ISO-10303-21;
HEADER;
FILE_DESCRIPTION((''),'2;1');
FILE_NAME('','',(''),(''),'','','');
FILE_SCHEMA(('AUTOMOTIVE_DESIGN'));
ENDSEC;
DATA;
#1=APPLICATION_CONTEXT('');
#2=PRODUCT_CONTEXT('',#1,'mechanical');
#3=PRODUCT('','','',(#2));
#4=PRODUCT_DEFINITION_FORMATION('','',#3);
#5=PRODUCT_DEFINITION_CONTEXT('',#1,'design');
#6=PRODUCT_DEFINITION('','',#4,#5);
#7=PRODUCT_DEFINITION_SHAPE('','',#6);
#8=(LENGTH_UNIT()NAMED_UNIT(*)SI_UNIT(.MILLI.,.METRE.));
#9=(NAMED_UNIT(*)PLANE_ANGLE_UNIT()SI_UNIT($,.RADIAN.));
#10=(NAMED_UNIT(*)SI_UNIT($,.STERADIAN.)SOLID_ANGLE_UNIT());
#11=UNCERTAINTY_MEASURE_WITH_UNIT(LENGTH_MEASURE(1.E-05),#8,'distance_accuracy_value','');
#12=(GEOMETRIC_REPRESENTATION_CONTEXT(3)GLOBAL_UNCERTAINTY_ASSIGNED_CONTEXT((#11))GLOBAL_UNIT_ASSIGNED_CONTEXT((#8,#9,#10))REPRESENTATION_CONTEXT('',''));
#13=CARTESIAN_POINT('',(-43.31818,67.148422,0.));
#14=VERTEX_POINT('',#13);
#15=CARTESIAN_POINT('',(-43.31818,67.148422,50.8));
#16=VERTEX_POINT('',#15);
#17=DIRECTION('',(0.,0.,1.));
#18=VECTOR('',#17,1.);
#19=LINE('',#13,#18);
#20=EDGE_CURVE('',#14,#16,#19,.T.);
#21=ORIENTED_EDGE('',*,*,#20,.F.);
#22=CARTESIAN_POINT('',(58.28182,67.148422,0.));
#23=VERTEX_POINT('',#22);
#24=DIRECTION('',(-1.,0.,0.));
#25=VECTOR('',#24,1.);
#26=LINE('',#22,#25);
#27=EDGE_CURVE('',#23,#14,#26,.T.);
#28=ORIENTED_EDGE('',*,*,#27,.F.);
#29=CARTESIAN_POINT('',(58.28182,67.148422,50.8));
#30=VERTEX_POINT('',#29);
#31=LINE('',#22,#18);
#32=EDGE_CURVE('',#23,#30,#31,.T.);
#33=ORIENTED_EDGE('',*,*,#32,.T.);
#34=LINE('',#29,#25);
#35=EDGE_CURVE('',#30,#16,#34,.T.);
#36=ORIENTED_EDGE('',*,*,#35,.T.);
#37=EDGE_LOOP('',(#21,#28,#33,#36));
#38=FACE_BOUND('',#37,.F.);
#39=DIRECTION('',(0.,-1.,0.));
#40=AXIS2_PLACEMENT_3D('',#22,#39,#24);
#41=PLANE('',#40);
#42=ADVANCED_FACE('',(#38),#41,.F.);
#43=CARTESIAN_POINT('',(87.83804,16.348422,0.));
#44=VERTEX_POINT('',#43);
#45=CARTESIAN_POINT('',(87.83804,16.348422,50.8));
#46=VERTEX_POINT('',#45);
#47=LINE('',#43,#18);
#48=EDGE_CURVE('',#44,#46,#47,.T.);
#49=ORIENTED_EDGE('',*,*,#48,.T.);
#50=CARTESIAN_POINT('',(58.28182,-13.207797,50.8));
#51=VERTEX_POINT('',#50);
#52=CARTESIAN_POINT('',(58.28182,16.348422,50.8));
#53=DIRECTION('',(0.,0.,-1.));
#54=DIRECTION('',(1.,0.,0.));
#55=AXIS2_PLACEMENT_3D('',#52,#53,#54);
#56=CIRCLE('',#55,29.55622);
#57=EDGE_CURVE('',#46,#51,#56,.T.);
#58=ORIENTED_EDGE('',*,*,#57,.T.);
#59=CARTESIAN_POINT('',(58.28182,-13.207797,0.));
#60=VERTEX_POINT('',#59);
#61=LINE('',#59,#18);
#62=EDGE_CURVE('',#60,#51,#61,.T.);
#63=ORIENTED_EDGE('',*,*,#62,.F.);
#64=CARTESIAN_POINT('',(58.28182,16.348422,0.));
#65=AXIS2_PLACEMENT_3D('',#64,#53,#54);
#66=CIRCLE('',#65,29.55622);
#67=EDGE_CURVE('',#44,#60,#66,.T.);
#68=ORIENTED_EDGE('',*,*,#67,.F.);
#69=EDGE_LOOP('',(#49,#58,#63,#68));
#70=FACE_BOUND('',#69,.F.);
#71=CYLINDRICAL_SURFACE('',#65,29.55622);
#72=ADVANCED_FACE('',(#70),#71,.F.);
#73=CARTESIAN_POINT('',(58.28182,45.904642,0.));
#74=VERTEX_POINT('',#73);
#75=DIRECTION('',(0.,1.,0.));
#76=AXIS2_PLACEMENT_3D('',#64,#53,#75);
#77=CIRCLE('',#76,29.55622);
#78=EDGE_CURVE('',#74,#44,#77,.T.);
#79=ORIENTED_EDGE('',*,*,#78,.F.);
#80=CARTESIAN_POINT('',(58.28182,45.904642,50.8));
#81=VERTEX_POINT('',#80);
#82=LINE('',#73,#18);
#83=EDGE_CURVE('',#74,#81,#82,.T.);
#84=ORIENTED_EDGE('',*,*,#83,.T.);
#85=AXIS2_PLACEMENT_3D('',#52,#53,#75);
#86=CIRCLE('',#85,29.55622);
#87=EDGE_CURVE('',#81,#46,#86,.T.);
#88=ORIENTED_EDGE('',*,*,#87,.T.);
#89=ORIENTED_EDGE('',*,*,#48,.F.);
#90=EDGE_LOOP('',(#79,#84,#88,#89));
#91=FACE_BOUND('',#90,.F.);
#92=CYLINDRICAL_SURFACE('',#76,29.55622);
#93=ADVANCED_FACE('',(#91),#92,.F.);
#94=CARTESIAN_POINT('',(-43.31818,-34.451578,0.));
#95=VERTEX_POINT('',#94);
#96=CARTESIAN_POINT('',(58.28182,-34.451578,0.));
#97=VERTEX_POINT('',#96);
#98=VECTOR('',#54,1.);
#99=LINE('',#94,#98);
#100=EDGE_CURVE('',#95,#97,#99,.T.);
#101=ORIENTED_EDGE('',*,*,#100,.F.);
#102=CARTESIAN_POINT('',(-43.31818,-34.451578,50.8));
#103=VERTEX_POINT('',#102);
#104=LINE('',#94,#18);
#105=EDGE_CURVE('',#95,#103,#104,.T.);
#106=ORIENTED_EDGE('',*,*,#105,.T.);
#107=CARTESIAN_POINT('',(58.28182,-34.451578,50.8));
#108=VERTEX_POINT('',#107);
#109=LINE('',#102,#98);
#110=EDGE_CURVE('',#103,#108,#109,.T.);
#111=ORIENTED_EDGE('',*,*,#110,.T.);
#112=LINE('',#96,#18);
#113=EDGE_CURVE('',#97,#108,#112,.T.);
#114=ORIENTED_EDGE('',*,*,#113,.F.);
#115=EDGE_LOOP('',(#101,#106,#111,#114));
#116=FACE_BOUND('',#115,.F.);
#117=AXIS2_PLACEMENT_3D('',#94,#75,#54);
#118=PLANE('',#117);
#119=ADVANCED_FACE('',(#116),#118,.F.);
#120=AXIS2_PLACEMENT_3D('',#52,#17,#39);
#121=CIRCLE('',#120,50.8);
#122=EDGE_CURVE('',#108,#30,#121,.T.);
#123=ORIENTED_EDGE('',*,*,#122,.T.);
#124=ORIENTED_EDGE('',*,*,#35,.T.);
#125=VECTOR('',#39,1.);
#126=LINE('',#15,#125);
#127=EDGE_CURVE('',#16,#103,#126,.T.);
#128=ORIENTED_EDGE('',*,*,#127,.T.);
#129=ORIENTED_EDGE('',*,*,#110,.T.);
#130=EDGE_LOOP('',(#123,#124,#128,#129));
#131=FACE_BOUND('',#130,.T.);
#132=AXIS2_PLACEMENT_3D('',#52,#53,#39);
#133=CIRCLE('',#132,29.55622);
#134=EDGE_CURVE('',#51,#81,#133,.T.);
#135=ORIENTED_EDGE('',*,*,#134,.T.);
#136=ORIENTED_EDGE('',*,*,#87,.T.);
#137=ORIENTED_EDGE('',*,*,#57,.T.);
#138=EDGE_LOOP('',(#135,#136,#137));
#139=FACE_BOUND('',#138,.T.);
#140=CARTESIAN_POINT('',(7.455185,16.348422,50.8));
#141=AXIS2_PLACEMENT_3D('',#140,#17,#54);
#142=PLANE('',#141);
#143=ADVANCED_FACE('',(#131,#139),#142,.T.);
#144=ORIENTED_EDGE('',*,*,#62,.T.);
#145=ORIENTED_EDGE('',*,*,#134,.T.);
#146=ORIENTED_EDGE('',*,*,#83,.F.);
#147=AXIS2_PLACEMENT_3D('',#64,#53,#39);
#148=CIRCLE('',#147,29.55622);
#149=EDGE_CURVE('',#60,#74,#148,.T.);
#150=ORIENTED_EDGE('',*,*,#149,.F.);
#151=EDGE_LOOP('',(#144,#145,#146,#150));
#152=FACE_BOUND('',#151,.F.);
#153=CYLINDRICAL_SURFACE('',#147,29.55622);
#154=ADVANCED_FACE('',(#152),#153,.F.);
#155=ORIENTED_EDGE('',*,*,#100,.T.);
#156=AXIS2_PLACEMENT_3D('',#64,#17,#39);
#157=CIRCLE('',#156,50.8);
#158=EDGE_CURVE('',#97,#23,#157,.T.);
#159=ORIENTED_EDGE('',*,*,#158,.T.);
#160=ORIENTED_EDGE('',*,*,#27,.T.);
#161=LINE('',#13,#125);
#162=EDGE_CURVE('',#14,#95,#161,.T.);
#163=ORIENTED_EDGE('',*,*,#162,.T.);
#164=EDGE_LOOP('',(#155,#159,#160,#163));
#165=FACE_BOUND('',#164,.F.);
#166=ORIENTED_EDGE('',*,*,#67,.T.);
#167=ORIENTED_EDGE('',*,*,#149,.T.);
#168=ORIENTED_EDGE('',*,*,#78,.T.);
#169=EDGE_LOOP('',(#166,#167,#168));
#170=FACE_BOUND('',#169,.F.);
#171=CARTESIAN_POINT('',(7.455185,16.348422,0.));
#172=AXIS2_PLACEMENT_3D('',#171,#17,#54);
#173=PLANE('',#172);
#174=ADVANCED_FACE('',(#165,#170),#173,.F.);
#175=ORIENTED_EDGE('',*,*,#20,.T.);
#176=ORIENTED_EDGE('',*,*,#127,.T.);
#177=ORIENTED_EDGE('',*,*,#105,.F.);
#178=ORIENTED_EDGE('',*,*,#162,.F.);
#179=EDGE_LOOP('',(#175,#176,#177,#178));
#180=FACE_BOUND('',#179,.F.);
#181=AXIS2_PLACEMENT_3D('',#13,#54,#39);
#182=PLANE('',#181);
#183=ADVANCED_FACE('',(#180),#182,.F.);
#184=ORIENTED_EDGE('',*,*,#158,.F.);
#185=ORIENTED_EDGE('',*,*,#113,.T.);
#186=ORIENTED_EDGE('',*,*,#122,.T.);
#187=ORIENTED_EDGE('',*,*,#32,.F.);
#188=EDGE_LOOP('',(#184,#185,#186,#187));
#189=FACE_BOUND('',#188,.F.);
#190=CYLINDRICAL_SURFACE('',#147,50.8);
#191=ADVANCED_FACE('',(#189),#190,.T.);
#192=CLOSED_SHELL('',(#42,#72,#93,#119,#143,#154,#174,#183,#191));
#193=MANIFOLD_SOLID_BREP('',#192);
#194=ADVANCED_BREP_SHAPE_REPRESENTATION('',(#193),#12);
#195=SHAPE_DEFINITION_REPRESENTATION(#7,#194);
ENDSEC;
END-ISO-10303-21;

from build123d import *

# Parameters (mm, degrees)
F1_DEPTH = 50.8


with BuildPart() as f1:
    # F0 (on Top) → F1 (new body)
    with BuildSketch(Plane.XY):
        with BuildLine():
            Line((58.2818202674, 67.1484221876), (-43.3181797326, 67.1484221876))
            Line((-43.3181797326, 67.1484221876), (-43.3181797326, -34.4515778124))
            Line((-43.3181797326, -34.4515778124), (58.2818202674, -34.4515778124))
            Line((58.2818202674, -34.4515778124), (58.2818202674, -13.207797377))
            ThreePointArc((58.2818202674, -13.207797377), (28.7256007029, 16.3484221876), (58.2818202674, 45.9046417521))
            Line((58.2818202674, 45.9046417521), (58.2818202674, 67.1484221876))
        make_face()
        with BuildLine():
            ThreePointArc((58.2818202674, -34.4515778124), (109.0818202674, 16.3484221876), (58.2818202674, 67.1484221876))
            Line((58.2818202674, 67.1484221876), (58.2818202674, 45.9046417521))
            ThreePointArc((58.2818202674, 45.9046417521), (79.1812235478, 37.2478254679), (87.838039832, 16.3484221876))
            ThreePointArc((87.838039832, 16.3484221876), (79.1812235478, -4.5509810928), (58.2818202674, -13.207797377))
            Line((58.2818202674, -13.207797377), (58.2818202674, -34.4515778124))
        make_face()
    extrude(amount=F1_DEPTH)


solid = f1.part
